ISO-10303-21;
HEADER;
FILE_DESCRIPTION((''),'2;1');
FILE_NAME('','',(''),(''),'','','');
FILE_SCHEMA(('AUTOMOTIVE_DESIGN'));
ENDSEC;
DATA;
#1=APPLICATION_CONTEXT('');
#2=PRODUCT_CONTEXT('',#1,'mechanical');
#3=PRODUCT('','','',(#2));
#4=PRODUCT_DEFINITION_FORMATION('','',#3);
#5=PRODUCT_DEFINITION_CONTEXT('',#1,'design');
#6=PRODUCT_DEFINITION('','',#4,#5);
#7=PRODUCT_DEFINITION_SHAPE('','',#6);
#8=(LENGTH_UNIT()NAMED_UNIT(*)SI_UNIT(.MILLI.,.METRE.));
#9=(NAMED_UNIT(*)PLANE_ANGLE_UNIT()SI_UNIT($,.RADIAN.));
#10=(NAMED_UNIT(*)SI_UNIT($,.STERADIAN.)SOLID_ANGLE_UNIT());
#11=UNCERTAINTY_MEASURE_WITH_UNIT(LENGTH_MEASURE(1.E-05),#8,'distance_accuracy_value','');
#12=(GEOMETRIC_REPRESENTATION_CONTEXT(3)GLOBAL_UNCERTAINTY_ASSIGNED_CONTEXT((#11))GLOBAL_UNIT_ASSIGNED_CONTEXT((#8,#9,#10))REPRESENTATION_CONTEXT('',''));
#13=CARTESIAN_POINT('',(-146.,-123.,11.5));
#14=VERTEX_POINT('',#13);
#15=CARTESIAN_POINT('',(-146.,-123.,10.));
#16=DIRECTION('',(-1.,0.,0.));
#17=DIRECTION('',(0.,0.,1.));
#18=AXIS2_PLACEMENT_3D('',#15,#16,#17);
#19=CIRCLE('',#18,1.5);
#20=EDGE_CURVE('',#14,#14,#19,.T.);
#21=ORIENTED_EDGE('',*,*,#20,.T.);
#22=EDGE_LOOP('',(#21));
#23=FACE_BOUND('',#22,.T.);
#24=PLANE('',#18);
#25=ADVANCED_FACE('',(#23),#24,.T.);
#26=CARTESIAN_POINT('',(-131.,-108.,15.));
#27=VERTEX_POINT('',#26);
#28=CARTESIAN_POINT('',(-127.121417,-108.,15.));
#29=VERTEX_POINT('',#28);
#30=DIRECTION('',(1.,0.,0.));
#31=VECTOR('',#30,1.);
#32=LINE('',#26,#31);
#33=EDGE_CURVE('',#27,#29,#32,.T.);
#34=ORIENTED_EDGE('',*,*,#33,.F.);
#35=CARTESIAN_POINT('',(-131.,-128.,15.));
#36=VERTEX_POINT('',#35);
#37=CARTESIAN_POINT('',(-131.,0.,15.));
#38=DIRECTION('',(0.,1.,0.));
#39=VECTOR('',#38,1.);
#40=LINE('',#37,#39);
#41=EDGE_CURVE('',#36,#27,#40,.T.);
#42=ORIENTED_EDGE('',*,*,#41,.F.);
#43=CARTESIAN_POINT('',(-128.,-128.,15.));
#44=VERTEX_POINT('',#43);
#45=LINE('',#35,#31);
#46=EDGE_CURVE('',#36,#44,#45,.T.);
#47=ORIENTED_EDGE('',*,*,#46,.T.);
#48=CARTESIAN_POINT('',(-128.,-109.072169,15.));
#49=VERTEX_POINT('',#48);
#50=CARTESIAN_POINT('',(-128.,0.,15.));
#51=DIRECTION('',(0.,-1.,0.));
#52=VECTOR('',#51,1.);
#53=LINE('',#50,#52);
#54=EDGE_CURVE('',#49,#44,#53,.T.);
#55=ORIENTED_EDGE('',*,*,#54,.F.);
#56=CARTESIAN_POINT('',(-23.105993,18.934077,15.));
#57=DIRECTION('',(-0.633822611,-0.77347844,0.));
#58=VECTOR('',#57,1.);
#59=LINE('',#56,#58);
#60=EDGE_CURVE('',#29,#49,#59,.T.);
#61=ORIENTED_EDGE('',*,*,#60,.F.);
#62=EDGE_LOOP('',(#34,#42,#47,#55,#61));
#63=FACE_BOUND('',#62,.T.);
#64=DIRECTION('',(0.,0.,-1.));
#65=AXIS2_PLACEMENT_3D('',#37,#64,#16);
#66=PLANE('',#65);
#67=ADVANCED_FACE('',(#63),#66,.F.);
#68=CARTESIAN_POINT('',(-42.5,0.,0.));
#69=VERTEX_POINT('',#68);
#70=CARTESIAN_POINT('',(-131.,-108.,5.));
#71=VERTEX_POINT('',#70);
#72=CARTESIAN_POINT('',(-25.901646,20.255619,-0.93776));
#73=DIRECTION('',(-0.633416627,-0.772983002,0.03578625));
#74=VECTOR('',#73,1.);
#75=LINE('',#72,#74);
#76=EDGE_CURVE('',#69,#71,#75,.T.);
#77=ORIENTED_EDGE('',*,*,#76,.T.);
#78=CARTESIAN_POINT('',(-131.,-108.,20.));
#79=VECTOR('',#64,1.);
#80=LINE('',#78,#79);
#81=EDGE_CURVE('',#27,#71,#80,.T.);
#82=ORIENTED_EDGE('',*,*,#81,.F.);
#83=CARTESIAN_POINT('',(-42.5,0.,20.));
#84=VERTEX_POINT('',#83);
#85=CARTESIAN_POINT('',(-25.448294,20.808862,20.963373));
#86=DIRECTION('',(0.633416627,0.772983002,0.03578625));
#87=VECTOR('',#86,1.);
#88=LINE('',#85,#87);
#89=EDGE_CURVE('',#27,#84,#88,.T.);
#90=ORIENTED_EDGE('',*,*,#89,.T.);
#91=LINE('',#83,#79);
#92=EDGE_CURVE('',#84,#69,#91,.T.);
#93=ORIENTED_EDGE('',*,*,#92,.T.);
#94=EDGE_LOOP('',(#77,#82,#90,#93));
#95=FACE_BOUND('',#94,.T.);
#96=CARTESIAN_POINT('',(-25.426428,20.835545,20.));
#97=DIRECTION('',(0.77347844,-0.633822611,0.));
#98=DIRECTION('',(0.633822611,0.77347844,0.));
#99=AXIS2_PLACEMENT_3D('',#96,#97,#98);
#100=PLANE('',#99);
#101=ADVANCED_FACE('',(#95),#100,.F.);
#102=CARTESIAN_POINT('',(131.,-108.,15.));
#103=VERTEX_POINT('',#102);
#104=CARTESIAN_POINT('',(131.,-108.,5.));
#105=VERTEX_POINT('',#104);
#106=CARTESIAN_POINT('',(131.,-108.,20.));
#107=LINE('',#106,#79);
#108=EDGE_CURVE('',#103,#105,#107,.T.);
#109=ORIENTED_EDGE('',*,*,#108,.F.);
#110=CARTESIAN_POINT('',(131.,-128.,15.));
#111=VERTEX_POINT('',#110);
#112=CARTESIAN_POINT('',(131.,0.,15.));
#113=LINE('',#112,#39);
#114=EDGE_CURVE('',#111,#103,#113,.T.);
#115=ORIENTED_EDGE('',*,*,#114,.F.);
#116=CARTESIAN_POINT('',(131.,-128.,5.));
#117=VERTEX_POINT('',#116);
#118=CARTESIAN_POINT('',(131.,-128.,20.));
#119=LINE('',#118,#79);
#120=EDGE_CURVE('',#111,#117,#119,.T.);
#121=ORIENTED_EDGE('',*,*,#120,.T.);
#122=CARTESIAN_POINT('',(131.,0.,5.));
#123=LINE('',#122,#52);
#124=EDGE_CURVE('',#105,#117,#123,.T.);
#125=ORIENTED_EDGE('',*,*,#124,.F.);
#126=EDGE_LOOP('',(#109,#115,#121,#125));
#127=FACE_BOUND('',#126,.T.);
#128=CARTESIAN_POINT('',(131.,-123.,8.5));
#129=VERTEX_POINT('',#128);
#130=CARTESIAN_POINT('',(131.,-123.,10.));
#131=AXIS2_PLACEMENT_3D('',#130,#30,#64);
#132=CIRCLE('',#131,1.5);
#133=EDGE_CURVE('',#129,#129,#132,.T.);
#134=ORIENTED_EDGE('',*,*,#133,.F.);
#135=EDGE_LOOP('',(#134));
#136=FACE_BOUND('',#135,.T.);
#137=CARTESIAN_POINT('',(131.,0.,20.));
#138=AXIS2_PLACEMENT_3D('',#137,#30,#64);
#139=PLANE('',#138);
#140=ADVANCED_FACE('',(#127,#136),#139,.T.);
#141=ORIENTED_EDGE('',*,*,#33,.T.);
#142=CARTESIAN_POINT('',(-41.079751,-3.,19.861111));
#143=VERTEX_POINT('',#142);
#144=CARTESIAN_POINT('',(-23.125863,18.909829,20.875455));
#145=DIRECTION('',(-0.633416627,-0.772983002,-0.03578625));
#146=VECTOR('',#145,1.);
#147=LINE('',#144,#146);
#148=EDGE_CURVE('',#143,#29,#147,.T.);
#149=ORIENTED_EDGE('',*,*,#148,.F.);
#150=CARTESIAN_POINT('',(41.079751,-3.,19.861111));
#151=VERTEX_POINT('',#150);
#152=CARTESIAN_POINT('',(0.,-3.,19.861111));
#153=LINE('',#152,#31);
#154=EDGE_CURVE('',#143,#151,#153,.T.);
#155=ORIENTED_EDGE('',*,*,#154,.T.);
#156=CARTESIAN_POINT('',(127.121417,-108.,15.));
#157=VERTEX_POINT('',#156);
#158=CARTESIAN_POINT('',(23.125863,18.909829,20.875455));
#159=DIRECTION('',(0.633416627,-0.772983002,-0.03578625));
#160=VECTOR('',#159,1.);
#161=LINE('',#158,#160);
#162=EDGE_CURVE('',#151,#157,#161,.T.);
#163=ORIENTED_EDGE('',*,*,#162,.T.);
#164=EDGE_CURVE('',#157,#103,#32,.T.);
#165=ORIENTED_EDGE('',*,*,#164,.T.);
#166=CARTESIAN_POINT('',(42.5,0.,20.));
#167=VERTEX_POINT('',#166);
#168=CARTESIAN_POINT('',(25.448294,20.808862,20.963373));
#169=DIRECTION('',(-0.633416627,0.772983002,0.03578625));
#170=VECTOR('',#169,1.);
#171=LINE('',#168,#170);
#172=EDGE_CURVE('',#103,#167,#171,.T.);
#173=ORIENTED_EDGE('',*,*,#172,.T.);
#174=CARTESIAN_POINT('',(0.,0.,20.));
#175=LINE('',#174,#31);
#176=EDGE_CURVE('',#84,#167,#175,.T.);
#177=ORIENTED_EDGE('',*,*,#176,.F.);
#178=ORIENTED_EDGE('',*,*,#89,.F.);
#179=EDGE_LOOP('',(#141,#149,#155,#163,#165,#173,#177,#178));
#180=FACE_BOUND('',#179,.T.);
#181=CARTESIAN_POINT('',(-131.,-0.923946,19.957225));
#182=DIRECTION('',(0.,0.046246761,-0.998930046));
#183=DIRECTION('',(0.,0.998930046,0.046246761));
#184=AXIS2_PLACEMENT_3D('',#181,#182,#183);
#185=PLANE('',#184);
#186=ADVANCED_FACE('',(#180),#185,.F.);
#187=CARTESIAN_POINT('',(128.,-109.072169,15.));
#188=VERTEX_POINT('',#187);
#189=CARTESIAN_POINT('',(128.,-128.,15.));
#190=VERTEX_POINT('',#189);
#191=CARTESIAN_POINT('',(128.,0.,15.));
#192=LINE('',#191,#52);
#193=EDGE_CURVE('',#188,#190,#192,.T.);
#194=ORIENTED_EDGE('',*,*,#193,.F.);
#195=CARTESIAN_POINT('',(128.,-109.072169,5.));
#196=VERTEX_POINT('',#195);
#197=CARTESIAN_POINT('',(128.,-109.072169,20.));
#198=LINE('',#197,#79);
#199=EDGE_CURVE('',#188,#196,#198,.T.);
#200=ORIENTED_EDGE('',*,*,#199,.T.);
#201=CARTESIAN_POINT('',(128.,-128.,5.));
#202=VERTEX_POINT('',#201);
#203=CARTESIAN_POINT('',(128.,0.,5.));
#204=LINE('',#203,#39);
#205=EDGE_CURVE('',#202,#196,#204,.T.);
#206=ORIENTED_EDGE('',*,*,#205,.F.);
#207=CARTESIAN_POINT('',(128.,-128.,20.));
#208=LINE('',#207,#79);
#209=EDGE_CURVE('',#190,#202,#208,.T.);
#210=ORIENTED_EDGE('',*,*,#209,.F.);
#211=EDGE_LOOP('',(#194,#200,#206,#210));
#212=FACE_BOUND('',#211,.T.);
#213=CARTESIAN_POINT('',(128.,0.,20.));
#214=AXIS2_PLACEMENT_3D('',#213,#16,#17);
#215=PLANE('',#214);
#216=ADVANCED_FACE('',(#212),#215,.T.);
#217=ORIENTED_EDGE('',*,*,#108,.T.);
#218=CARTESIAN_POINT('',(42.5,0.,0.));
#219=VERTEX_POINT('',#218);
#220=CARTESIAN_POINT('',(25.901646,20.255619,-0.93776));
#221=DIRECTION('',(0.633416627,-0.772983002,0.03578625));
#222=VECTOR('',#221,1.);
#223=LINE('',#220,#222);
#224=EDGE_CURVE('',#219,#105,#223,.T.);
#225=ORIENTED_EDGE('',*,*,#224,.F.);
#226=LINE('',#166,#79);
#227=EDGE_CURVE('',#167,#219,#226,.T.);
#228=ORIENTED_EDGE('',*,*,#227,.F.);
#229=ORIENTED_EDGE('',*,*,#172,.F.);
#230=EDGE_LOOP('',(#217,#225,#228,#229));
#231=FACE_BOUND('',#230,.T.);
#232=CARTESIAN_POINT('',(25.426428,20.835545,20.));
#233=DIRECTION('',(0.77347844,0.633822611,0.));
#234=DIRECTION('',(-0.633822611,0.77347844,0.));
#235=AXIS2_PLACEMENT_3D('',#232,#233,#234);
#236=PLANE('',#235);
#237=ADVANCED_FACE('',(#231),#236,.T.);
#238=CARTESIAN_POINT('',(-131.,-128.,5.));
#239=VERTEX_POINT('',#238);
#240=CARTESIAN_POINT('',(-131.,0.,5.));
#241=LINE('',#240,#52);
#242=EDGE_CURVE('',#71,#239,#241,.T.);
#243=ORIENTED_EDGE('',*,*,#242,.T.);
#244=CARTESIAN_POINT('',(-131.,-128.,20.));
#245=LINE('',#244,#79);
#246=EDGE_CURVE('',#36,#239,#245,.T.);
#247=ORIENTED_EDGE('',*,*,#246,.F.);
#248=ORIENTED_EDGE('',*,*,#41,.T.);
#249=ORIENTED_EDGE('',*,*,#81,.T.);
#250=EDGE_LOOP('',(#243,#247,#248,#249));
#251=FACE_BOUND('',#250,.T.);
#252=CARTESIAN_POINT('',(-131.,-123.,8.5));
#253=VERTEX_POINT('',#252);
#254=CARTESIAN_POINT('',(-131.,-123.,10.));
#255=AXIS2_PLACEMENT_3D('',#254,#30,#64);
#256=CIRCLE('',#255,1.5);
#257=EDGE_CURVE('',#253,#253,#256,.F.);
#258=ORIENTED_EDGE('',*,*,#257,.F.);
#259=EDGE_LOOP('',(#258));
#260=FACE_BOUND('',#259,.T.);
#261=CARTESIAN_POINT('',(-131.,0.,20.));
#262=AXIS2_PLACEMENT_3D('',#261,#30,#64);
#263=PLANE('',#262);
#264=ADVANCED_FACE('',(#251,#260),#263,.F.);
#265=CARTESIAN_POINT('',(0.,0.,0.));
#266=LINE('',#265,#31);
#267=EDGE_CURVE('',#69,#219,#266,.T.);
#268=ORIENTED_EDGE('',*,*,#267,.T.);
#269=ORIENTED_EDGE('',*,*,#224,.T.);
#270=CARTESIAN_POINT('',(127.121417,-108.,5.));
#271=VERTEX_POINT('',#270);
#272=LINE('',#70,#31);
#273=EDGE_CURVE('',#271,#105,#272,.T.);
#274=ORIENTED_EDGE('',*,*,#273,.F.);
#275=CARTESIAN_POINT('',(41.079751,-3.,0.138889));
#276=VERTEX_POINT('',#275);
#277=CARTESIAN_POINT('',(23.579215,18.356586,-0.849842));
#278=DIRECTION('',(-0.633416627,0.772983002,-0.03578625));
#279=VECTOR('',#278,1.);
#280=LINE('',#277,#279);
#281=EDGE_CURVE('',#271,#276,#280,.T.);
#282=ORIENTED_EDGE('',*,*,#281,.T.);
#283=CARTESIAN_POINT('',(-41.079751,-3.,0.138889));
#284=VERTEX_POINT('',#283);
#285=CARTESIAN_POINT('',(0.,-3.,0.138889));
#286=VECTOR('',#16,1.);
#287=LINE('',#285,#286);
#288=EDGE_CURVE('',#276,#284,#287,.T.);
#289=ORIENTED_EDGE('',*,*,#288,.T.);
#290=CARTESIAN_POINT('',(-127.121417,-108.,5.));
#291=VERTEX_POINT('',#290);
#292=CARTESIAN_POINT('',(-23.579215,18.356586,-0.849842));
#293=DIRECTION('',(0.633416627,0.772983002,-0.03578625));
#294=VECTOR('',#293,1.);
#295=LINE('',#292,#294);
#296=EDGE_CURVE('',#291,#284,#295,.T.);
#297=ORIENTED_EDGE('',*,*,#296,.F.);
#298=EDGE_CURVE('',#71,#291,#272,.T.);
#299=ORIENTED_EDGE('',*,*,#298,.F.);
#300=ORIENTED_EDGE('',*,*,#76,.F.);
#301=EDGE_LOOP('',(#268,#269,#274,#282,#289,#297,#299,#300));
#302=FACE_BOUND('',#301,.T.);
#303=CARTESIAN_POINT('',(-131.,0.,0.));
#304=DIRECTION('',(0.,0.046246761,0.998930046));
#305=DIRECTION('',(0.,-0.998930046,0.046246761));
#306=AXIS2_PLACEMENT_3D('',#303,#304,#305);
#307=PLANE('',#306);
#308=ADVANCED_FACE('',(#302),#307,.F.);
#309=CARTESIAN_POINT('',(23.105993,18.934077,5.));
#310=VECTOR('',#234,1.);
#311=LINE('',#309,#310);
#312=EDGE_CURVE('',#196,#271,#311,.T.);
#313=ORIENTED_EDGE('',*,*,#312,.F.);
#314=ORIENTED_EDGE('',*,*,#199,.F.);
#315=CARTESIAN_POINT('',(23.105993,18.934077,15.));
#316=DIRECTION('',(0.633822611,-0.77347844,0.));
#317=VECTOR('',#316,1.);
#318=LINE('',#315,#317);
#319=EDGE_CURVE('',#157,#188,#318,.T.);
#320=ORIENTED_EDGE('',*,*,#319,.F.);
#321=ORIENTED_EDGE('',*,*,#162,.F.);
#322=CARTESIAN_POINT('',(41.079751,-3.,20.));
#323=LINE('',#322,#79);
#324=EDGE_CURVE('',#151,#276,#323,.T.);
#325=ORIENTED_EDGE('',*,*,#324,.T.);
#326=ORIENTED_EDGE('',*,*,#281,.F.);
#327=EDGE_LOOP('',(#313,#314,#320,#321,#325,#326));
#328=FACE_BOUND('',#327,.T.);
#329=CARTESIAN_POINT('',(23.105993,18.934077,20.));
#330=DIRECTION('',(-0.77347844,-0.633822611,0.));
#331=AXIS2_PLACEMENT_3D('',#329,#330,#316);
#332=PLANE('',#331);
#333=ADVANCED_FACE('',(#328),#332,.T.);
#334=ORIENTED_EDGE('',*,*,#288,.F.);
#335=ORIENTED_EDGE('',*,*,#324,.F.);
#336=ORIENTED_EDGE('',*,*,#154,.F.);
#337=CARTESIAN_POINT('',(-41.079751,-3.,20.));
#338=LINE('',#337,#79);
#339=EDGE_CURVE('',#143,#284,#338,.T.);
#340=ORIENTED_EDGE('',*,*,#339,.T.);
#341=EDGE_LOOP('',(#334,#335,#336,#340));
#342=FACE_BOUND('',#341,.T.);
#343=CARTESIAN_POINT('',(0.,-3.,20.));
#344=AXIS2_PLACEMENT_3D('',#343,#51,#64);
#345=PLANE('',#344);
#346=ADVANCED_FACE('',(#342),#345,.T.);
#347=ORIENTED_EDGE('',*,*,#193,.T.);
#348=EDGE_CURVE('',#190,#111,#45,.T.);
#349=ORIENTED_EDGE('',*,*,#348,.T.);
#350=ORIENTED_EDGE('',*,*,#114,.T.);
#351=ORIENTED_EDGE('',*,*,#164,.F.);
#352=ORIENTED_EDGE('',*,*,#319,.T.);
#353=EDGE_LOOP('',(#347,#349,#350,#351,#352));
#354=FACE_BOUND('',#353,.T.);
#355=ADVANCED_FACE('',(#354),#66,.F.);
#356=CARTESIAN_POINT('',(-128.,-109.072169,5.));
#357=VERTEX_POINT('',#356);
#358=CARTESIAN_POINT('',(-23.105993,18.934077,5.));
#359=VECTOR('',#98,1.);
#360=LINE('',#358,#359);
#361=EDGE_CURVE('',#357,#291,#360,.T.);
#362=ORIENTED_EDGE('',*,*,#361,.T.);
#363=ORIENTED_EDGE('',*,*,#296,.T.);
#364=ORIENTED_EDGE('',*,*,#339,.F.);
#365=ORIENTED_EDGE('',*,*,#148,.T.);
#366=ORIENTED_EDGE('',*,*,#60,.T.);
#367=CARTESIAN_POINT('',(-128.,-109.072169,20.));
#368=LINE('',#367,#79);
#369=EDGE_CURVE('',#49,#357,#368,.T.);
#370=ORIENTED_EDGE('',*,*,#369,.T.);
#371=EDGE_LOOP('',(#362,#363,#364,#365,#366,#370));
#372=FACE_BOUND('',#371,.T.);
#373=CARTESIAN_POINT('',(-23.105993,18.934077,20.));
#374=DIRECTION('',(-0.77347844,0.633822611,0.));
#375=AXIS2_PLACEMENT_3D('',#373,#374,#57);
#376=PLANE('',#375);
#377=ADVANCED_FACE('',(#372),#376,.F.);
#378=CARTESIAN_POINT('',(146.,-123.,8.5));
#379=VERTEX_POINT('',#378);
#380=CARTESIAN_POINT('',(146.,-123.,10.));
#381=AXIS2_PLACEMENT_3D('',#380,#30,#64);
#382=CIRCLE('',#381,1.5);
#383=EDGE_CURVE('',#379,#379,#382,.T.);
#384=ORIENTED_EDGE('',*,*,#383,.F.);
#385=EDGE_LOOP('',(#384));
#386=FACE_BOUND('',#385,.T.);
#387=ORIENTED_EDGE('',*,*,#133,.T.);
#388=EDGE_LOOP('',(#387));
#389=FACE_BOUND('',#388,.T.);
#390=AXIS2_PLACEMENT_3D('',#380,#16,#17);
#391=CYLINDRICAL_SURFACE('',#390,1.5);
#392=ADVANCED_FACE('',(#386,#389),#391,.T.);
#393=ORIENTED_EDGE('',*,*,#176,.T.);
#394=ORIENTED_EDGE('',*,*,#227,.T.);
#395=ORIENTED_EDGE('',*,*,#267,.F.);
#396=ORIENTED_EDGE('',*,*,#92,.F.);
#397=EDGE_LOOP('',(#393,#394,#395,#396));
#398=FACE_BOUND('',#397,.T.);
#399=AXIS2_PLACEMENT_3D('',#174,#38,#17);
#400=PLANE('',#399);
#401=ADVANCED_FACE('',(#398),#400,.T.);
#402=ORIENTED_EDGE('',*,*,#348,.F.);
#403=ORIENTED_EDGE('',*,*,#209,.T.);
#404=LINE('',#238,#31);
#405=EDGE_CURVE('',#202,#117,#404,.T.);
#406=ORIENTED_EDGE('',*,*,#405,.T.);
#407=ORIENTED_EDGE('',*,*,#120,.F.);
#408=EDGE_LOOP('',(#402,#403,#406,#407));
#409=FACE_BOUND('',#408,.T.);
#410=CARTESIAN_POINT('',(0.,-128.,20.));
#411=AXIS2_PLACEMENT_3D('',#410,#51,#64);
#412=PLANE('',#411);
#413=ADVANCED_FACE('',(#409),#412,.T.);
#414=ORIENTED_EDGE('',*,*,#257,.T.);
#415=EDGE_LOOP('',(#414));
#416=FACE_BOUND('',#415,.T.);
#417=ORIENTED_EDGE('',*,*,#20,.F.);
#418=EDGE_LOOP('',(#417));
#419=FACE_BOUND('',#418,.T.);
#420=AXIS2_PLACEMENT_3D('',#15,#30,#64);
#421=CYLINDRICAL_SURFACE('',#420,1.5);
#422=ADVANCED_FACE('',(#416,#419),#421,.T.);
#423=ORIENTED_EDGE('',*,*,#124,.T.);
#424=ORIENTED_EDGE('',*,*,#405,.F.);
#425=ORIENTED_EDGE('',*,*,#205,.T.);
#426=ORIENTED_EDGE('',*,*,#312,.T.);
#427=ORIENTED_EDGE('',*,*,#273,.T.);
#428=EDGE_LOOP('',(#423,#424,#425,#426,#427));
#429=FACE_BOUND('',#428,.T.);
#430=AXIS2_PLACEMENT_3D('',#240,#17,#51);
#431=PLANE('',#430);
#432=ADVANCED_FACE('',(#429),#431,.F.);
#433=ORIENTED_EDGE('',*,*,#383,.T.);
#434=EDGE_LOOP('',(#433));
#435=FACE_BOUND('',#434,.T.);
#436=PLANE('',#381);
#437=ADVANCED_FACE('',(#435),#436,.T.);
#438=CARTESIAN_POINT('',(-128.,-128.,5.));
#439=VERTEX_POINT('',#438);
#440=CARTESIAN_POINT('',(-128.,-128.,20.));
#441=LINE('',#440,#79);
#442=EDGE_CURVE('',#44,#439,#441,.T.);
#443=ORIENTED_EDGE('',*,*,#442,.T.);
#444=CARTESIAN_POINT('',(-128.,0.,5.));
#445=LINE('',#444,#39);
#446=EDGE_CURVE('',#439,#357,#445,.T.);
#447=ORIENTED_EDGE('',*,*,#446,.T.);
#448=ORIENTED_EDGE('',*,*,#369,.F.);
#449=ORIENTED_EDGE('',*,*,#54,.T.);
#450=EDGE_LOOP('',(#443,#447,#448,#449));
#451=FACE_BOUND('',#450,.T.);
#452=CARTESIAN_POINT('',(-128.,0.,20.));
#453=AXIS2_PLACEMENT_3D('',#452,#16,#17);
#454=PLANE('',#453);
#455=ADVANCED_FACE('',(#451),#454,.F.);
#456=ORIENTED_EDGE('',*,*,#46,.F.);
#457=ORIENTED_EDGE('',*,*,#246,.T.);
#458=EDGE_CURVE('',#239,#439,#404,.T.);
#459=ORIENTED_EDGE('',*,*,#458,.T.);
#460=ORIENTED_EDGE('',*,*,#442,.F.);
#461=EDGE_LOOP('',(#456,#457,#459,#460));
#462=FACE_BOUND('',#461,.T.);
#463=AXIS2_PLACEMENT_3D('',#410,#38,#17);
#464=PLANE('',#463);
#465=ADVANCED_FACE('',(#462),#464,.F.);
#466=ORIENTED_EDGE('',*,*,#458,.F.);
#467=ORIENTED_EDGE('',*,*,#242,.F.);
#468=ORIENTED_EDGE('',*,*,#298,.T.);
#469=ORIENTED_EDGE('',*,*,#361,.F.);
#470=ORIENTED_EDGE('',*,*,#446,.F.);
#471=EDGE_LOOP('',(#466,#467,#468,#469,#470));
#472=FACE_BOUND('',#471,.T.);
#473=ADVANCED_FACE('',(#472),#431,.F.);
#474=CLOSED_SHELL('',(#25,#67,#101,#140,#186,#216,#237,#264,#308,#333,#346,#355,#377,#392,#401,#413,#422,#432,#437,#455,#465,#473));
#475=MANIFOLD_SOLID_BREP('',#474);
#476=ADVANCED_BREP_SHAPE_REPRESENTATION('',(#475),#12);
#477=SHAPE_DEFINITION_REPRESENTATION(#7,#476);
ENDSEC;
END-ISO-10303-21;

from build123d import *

# Parameters (mm, degrees)
BOSS_EXTRUDE1_DEPTH = 20
SKETCH6_W           = 5
SKETCH6_H           = 20
CUT_EXTRUDE1_DEPTH  = 293.280687012
SKETCH7_R           = 1.5
BOSS_EXTRUDE2_DEPTH = 15
BOSS_EXTRUDE3_START = 15
SKETCH8_R           = 1.5
BOSS_EXTRUDE3_DEPTH = 15


with BuildPart() as part:
    # Sketch5 → Boss-Extrude1 (new body)
    with BuildSketch(Plane.XY):
        Polygon((0, 0), (-42.5, 0), (-131, -108), (-131, -128), (-128, -128), (-128, -109.072168564), (-41.07975076, -3), (0, -3), align=None)
        Polygon((42.5, 0), (0, 0), (0, -3), (41.07975076, -3), (128, -109.072168564), (128, -128), (131, -128), (131, -108), align=None)
    extrude(amount=BOSS_EXTRUDE1_DEPTH)

    # Sketch6 → Cut-Extrude1 (cut, through all)
    with BuildSketch(Plane(origin=(131, 0, 0), x_dir=(0, 0, -1), z_dir=(1, 0, 0))):
        with Locations((-17.5, -118)):
            Rectangle(SKETCH6_W, SKETCH6_H)
        Polygon((-20, -108), (-15, -108), (-20, 0), align=None)
        Polygon((0, 0), (-5, -108), (0, -108), align=None)
        with Locations((-2.5, -118)):
            Rectangle(SKETCH6_W, SKETCH6_H)
    extrude(amount=-CUT_EXTRUDE1_DEPTH, mode=Mode.SUBTRACT)

    # Sketch7 → Boss-Extrude2 (add)
    with BuildSketch(Plane(origin=(131, 0, 0), x_dir=(0, 0, -1), z_dir=(1, 0, 0))):
        with Locations((-10, -123)):
            Circle(SKETCH7_R)
    extrude(amount=BOSS_EXTRUDE2_DEPTH)

    # Sketch8 → Boss-Extrude3 (add)
    with BuildSketch(Plane.ZY.offset(131).offset(BOSS_EXTRUDE3_START)):
        with Locations(Location((10, -123, 0), (0, 0, 180))):
            Circle(SKETCH8_R)
    extrude(amount=-BOSS_EXTRUDE3_DEPTH)


solid = part.part
